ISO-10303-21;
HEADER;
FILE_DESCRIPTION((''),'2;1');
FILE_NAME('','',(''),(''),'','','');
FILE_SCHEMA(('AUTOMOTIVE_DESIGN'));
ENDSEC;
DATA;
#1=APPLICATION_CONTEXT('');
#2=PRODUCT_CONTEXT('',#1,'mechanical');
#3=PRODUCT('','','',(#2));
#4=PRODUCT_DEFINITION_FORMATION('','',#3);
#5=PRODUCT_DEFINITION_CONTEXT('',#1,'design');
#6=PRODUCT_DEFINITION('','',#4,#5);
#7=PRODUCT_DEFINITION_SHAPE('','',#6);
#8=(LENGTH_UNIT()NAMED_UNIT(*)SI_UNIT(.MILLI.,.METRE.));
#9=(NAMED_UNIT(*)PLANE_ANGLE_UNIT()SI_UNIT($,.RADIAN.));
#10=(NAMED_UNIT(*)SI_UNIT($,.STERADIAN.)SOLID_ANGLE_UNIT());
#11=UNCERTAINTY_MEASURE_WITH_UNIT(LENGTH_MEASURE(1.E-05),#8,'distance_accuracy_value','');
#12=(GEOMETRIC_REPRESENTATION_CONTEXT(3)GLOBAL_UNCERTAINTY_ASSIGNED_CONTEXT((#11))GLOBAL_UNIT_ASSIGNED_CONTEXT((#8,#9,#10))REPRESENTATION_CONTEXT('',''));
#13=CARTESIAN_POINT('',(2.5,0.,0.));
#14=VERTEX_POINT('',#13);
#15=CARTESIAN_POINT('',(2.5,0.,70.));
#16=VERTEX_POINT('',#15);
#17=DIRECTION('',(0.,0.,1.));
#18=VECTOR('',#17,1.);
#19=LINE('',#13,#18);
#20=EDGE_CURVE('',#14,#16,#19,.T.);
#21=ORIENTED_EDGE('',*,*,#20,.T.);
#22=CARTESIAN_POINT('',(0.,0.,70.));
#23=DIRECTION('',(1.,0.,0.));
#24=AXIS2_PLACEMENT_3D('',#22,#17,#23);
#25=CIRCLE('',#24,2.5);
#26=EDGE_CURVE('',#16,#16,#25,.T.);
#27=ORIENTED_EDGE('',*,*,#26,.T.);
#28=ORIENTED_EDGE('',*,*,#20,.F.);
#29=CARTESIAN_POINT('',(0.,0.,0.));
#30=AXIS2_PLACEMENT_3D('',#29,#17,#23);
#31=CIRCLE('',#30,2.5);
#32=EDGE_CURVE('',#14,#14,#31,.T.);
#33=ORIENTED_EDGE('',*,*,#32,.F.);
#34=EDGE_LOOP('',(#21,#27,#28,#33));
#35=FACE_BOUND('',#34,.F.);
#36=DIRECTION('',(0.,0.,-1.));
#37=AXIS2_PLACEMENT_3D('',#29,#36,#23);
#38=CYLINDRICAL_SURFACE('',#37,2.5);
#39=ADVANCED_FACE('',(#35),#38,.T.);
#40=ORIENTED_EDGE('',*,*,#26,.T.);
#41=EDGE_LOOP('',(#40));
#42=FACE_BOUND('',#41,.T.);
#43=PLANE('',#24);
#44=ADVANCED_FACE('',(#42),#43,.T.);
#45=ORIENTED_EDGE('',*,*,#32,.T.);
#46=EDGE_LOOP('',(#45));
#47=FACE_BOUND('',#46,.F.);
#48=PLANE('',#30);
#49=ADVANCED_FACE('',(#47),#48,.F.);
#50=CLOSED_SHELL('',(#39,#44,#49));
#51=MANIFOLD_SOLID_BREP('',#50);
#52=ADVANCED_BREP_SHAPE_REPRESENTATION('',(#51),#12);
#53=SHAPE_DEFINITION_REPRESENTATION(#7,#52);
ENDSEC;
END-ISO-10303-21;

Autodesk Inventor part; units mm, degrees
ref_plane "YZ Plane" through (0, 0, 0) normal (1, 0, 0) x (0, 1, 0)
ref_plane "XZ Plane" through (0, 0, 0) normal (0, 1, 0) x (-1, 0, 0)
ref_plane "XY Plane" through (0, 0, 0) normal (0, 0, 1) x (1, 0, 0)
sketch "Sketch1" plane through (0, 0, 0) normal (0, 0, 1) x (1, 0, 0)
  circle A0 centre (0, 0) radius 2.5
  dimension "d0" = 5
extrude "Extrusion1" add sketch "Sketch1" along normal blind 70
properties part number "mouth_horizontal_rod"
